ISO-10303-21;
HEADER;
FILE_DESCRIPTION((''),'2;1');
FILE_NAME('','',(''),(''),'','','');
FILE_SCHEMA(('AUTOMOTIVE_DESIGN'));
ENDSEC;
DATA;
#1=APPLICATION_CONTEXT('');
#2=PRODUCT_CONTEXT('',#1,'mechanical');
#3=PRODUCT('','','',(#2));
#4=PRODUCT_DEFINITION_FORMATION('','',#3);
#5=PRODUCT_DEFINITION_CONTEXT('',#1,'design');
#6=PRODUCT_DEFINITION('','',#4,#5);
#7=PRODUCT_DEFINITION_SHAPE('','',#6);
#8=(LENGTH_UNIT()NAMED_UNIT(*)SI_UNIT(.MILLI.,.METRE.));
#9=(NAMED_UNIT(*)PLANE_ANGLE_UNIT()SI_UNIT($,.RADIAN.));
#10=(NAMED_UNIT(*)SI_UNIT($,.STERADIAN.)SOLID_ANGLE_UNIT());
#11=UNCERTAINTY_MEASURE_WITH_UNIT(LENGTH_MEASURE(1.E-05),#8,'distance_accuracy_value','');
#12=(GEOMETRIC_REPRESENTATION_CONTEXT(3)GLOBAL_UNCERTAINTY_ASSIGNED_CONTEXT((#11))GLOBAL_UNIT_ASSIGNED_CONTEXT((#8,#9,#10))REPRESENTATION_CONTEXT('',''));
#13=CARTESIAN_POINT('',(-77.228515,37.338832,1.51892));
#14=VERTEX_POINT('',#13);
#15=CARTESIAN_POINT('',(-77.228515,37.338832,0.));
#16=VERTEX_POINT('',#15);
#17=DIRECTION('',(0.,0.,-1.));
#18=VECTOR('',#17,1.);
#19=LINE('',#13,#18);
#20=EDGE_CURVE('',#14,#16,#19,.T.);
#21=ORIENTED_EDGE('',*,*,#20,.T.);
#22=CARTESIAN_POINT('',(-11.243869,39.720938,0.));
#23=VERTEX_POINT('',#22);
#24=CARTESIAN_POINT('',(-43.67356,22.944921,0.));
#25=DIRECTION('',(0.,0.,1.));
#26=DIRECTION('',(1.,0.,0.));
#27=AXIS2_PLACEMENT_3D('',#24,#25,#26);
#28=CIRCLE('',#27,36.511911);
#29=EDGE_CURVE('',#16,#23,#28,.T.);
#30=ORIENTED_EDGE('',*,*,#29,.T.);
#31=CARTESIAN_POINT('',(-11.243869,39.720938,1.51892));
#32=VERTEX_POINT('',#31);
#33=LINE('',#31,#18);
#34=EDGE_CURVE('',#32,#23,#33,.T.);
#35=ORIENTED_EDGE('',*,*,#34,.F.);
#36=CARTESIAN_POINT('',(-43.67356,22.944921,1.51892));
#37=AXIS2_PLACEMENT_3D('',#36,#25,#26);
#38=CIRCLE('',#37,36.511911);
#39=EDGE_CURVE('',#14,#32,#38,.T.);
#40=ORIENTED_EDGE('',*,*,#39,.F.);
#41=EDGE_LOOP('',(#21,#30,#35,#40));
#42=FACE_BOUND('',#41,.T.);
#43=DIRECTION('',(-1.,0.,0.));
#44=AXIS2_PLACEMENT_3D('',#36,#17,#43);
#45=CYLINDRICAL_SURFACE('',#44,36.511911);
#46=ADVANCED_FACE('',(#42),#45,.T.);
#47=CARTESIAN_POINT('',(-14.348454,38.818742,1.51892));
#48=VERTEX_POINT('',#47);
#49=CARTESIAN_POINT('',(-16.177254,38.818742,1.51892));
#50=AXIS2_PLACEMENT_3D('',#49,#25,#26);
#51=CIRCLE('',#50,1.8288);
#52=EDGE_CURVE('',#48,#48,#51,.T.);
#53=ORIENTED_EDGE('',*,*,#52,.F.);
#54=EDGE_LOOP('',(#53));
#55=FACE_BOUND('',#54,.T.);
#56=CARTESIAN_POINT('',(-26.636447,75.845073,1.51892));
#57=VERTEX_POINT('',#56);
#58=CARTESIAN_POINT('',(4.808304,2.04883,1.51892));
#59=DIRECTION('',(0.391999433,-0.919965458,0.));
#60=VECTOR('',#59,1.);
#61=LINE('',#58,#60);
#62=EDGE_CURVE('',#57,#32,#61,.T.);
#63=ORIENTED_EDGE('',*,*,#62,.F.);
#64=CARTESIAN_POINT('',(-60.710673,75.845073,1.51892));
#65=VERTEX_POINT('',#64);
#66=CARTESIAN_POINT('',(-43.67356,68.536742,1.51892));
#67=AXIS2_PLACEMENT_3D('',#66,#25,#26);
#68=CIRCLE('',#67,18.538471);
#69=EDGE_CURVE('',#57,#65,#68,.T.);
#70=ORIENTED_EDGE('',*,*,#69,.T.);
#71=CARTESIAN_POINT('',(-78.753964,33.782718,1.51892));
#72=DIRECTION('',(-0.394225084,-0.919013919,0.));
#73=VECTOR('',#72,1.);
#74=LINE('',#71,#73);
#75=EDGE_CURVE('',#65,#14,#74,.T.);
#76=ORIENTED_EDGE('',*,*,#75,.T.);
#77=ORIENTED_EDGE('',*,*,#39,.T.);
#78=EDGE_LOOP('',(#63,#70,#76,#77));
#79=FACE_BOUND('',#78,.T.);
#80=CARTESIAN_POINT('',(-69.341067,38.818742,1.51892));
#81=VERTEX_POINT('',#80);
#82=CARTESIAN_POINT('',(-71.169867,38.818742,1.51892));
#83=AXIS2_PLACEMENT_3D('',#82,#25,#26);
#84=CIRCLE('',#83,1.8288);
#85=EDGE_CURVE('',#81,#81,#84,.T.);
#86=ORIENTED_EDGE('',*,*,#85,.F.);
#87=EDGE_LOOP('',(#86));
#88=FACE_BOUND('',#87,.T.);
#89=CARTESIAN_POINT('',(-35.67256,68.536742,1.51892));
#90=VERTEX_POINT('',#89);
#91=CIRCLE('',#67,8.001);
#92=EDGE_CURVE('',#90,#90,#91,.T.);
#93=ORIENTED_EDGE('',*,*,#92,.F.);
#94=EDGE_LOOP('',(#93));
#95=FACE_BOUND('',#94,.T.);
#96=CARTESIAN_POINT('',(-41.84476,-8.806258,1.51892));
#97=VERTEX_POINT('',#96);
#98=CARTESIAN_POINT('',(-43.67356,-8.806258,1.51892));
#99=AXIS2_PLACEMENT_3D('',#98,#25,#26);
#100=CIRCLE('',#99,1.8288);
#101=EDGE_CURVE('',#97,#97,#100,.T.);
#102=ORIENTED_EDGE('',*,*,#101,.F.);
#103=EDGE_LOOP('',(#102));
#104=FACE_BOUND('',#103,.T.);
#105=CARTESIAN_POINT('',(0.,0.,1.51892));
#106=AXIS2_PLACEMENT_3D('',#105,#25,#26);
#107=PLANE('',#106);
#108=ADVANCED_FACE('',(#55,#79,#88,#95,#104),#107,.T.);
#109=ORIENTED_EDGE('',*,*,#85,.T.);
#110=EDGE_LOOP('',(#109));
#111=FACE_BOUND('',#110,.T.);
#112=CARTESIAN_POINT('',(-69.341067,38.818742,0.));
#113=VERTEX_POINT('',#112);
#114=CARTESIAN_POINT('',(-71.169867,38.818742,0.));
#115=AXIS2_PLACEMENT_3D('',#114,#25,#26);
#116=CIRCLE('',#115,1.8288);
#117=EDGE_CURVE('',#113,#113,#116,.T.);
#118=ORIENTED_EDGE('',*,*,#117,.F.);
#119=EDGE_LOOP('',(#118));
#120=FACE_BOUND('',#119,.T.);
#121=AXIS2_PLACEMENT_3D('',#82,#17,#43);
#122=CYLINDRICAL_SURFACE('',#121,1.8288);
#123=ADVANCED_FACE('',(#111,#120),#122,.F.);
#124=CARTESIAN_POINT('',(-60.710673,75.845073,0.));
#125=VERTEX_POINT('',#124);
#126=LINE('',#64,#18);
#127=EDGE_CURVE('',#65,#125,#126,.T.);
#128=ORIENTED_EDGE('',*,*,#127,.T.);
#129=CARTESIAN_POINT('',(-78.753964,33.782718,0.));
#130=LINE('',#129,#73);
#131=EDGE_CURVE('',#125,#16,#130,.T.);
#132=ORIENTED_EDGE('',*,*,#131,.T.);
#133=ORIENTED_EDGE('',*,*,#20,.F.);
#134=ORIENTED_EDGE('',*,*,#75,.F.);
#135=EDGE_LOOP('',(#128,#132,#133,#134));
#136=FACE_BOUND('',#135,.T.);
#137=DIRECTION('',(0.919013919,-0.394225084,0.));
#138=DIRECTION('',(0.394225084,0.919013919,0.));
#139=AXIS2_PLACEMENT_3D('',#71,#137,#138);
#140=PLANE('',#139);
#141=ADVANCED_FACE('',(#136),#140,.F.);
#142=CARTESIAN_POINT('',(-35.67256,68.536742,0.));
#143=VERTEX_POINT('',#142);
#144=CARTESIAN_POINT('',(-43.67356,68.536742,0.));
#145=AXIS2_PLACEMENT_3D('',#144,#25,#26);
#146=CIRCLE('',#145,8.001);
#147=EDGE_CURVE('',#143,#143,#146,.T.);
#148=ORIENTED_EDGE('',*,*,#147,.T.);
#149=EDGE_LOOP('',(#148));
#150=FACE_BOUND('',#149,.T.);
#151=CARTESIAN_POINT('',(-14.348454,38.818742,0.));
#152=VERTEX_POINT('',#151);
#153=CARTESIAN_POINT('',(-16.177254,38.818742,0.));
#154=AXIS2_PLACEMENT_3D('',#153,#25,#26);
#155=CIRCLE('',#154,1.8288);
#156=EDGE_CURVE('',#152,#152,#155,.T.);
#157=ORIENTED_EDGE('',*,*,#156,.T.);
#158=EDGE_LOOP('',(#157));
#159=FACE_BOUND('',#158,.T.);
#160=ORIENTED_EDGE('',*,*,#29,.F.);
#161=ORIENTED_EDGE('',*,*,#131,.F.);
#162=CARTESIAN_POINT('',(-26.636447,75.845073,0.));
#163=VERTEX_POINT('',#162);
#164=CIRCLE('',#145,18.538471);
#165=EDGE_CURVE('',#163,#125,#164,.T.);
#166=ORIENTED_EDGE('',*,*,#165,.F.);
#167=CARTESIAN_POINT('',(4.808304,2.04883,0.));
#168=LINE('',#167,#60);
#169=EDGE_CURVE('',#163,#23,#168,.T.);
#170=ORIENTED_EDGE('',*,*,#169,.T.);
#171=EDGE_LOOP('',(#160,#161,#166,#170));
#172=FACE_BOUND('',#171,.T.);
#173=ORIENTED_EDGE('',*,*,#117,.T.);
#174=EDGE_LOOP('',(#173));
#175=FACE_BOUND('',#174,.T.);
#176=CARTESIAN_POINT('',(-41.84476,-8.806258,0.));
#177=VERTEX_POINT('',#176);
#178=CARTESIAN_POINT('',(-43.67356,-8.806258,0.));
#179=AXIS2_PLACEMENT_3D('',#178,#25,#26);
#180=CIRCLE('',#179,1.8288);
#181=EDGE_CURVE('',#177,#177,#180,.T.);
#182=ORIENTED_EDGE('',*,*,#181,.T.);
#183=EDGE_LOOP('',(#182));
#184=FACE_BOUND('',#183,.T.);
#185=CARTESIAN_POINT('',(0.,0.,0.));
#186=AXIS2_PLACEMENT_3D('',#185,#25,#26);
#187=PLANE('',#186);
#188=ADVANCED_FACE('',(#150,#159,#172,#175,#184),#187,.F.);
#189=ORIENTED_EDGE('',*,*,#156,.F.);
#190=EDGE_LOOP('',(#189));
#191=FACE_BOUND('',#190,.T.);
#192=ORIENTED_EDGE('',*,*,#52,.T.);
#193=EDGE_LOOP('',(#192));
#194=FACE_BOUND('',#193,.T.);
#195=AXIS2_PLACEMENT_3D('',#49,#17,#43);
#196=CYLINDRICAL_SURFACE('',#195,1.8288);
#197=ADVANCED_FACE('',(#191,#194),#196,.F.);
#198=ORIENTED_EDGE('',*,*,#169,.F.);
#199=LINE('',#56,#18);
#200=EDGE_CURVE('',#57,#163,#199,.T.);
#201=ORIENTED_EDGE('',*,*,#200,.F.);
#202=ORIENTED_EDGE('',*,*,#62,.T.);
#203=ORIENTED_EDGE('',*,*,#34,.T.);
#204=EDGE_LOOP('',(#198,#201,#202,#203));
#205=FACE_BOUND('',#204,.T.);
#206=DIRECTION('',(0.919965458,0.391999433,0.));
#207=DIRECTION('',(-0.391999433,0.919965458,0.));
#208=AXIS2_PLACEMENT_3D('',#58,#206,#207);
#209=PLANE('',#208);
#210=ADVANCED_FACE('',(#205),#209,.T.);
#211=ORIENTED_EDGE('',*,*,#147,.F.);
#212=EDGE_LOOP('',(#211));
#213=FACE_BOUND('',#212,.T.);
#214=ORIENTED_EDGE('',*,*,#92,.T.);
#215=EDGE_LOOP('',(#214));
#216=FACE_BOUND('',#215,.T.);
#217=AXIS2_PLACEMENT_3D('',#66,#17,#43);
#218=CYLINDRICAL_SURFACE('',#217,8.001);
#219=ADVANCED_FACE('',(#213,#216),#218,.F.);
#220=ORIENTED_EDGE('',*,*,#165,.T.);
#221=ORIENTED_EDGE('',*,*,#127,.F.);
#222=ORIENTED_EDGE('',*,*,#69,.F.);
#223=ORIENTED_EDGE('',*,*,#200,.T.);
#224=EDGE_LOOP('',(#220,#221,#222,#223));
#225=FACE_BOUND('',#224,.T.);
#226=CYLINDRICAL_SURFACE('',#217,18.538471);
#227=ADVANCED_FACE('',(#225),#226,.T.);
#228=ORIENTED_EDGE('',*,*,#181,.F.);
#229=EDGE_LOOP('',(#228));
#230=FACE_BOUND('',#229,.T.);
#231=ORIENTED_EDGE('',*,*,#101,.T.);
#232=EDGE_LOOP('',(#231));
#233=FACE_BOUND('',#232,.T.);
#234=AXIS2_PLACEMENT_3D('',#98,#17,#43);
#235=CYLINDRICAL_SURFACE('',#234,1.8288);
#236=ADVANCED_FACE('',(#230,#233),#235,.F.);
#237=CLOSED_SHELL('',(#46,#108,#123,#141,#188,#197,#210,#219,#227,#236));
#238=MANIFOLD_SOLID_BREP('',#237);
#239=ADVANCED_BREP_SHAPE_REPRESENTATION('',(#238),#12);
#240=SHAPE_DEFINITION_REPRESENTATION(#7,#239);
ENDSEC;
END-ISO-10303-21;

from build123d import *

# Parameters (mm, degrees)
SKETCH1_R           = 1.8288
SKETCH1_R_2         = 8.001
BOSS_EXTRUDE1_DEPTH = 1.51892


with BuildPart() as part:
    # Sketch1 → Boss-Extrude1 (new body)
    with BuildSketch(Plane.XY):
        with BuildLine():
            Line((-11.243869287, 39.720938178), (-26.6364475, 75.845072714))
            ThreePointArc((-26.6364475, 75.845072714), (-43.673560496, 87.075213498), (-60.710673493, 75.845072714))
            Line((-60.710673493, 75.845072714), (-77.228514805, 37.338831774))
            ThreePointArc((-77.228514805, 37.338831774), (-42.35630502, -13.543220932), (-11.243869286, 39.720938178))
        make_face()
        with Locations((-71.169867066, 38.818742375)):
            Circle(SKETCH1_R, mode=Mode.SUBTRACT)
        with Locations((-16.177253926, 38.818742374)):
            Circle(SKETCH1_R, mode=Mode.SUBTRACT)
        with Locations((-43.673560496, 68.536742374)):
            Circle(SKETCH1_R_2, mode=Mode.SUBTRACT)
        with Locations((-43.673560496, -8.806257626)):
            Circle(SKETCH1_R, mode=Mode.SUBTRACT)
    extrude(amount=BOSS_EXTRUDE1_DEPTH)


solid = part.part
